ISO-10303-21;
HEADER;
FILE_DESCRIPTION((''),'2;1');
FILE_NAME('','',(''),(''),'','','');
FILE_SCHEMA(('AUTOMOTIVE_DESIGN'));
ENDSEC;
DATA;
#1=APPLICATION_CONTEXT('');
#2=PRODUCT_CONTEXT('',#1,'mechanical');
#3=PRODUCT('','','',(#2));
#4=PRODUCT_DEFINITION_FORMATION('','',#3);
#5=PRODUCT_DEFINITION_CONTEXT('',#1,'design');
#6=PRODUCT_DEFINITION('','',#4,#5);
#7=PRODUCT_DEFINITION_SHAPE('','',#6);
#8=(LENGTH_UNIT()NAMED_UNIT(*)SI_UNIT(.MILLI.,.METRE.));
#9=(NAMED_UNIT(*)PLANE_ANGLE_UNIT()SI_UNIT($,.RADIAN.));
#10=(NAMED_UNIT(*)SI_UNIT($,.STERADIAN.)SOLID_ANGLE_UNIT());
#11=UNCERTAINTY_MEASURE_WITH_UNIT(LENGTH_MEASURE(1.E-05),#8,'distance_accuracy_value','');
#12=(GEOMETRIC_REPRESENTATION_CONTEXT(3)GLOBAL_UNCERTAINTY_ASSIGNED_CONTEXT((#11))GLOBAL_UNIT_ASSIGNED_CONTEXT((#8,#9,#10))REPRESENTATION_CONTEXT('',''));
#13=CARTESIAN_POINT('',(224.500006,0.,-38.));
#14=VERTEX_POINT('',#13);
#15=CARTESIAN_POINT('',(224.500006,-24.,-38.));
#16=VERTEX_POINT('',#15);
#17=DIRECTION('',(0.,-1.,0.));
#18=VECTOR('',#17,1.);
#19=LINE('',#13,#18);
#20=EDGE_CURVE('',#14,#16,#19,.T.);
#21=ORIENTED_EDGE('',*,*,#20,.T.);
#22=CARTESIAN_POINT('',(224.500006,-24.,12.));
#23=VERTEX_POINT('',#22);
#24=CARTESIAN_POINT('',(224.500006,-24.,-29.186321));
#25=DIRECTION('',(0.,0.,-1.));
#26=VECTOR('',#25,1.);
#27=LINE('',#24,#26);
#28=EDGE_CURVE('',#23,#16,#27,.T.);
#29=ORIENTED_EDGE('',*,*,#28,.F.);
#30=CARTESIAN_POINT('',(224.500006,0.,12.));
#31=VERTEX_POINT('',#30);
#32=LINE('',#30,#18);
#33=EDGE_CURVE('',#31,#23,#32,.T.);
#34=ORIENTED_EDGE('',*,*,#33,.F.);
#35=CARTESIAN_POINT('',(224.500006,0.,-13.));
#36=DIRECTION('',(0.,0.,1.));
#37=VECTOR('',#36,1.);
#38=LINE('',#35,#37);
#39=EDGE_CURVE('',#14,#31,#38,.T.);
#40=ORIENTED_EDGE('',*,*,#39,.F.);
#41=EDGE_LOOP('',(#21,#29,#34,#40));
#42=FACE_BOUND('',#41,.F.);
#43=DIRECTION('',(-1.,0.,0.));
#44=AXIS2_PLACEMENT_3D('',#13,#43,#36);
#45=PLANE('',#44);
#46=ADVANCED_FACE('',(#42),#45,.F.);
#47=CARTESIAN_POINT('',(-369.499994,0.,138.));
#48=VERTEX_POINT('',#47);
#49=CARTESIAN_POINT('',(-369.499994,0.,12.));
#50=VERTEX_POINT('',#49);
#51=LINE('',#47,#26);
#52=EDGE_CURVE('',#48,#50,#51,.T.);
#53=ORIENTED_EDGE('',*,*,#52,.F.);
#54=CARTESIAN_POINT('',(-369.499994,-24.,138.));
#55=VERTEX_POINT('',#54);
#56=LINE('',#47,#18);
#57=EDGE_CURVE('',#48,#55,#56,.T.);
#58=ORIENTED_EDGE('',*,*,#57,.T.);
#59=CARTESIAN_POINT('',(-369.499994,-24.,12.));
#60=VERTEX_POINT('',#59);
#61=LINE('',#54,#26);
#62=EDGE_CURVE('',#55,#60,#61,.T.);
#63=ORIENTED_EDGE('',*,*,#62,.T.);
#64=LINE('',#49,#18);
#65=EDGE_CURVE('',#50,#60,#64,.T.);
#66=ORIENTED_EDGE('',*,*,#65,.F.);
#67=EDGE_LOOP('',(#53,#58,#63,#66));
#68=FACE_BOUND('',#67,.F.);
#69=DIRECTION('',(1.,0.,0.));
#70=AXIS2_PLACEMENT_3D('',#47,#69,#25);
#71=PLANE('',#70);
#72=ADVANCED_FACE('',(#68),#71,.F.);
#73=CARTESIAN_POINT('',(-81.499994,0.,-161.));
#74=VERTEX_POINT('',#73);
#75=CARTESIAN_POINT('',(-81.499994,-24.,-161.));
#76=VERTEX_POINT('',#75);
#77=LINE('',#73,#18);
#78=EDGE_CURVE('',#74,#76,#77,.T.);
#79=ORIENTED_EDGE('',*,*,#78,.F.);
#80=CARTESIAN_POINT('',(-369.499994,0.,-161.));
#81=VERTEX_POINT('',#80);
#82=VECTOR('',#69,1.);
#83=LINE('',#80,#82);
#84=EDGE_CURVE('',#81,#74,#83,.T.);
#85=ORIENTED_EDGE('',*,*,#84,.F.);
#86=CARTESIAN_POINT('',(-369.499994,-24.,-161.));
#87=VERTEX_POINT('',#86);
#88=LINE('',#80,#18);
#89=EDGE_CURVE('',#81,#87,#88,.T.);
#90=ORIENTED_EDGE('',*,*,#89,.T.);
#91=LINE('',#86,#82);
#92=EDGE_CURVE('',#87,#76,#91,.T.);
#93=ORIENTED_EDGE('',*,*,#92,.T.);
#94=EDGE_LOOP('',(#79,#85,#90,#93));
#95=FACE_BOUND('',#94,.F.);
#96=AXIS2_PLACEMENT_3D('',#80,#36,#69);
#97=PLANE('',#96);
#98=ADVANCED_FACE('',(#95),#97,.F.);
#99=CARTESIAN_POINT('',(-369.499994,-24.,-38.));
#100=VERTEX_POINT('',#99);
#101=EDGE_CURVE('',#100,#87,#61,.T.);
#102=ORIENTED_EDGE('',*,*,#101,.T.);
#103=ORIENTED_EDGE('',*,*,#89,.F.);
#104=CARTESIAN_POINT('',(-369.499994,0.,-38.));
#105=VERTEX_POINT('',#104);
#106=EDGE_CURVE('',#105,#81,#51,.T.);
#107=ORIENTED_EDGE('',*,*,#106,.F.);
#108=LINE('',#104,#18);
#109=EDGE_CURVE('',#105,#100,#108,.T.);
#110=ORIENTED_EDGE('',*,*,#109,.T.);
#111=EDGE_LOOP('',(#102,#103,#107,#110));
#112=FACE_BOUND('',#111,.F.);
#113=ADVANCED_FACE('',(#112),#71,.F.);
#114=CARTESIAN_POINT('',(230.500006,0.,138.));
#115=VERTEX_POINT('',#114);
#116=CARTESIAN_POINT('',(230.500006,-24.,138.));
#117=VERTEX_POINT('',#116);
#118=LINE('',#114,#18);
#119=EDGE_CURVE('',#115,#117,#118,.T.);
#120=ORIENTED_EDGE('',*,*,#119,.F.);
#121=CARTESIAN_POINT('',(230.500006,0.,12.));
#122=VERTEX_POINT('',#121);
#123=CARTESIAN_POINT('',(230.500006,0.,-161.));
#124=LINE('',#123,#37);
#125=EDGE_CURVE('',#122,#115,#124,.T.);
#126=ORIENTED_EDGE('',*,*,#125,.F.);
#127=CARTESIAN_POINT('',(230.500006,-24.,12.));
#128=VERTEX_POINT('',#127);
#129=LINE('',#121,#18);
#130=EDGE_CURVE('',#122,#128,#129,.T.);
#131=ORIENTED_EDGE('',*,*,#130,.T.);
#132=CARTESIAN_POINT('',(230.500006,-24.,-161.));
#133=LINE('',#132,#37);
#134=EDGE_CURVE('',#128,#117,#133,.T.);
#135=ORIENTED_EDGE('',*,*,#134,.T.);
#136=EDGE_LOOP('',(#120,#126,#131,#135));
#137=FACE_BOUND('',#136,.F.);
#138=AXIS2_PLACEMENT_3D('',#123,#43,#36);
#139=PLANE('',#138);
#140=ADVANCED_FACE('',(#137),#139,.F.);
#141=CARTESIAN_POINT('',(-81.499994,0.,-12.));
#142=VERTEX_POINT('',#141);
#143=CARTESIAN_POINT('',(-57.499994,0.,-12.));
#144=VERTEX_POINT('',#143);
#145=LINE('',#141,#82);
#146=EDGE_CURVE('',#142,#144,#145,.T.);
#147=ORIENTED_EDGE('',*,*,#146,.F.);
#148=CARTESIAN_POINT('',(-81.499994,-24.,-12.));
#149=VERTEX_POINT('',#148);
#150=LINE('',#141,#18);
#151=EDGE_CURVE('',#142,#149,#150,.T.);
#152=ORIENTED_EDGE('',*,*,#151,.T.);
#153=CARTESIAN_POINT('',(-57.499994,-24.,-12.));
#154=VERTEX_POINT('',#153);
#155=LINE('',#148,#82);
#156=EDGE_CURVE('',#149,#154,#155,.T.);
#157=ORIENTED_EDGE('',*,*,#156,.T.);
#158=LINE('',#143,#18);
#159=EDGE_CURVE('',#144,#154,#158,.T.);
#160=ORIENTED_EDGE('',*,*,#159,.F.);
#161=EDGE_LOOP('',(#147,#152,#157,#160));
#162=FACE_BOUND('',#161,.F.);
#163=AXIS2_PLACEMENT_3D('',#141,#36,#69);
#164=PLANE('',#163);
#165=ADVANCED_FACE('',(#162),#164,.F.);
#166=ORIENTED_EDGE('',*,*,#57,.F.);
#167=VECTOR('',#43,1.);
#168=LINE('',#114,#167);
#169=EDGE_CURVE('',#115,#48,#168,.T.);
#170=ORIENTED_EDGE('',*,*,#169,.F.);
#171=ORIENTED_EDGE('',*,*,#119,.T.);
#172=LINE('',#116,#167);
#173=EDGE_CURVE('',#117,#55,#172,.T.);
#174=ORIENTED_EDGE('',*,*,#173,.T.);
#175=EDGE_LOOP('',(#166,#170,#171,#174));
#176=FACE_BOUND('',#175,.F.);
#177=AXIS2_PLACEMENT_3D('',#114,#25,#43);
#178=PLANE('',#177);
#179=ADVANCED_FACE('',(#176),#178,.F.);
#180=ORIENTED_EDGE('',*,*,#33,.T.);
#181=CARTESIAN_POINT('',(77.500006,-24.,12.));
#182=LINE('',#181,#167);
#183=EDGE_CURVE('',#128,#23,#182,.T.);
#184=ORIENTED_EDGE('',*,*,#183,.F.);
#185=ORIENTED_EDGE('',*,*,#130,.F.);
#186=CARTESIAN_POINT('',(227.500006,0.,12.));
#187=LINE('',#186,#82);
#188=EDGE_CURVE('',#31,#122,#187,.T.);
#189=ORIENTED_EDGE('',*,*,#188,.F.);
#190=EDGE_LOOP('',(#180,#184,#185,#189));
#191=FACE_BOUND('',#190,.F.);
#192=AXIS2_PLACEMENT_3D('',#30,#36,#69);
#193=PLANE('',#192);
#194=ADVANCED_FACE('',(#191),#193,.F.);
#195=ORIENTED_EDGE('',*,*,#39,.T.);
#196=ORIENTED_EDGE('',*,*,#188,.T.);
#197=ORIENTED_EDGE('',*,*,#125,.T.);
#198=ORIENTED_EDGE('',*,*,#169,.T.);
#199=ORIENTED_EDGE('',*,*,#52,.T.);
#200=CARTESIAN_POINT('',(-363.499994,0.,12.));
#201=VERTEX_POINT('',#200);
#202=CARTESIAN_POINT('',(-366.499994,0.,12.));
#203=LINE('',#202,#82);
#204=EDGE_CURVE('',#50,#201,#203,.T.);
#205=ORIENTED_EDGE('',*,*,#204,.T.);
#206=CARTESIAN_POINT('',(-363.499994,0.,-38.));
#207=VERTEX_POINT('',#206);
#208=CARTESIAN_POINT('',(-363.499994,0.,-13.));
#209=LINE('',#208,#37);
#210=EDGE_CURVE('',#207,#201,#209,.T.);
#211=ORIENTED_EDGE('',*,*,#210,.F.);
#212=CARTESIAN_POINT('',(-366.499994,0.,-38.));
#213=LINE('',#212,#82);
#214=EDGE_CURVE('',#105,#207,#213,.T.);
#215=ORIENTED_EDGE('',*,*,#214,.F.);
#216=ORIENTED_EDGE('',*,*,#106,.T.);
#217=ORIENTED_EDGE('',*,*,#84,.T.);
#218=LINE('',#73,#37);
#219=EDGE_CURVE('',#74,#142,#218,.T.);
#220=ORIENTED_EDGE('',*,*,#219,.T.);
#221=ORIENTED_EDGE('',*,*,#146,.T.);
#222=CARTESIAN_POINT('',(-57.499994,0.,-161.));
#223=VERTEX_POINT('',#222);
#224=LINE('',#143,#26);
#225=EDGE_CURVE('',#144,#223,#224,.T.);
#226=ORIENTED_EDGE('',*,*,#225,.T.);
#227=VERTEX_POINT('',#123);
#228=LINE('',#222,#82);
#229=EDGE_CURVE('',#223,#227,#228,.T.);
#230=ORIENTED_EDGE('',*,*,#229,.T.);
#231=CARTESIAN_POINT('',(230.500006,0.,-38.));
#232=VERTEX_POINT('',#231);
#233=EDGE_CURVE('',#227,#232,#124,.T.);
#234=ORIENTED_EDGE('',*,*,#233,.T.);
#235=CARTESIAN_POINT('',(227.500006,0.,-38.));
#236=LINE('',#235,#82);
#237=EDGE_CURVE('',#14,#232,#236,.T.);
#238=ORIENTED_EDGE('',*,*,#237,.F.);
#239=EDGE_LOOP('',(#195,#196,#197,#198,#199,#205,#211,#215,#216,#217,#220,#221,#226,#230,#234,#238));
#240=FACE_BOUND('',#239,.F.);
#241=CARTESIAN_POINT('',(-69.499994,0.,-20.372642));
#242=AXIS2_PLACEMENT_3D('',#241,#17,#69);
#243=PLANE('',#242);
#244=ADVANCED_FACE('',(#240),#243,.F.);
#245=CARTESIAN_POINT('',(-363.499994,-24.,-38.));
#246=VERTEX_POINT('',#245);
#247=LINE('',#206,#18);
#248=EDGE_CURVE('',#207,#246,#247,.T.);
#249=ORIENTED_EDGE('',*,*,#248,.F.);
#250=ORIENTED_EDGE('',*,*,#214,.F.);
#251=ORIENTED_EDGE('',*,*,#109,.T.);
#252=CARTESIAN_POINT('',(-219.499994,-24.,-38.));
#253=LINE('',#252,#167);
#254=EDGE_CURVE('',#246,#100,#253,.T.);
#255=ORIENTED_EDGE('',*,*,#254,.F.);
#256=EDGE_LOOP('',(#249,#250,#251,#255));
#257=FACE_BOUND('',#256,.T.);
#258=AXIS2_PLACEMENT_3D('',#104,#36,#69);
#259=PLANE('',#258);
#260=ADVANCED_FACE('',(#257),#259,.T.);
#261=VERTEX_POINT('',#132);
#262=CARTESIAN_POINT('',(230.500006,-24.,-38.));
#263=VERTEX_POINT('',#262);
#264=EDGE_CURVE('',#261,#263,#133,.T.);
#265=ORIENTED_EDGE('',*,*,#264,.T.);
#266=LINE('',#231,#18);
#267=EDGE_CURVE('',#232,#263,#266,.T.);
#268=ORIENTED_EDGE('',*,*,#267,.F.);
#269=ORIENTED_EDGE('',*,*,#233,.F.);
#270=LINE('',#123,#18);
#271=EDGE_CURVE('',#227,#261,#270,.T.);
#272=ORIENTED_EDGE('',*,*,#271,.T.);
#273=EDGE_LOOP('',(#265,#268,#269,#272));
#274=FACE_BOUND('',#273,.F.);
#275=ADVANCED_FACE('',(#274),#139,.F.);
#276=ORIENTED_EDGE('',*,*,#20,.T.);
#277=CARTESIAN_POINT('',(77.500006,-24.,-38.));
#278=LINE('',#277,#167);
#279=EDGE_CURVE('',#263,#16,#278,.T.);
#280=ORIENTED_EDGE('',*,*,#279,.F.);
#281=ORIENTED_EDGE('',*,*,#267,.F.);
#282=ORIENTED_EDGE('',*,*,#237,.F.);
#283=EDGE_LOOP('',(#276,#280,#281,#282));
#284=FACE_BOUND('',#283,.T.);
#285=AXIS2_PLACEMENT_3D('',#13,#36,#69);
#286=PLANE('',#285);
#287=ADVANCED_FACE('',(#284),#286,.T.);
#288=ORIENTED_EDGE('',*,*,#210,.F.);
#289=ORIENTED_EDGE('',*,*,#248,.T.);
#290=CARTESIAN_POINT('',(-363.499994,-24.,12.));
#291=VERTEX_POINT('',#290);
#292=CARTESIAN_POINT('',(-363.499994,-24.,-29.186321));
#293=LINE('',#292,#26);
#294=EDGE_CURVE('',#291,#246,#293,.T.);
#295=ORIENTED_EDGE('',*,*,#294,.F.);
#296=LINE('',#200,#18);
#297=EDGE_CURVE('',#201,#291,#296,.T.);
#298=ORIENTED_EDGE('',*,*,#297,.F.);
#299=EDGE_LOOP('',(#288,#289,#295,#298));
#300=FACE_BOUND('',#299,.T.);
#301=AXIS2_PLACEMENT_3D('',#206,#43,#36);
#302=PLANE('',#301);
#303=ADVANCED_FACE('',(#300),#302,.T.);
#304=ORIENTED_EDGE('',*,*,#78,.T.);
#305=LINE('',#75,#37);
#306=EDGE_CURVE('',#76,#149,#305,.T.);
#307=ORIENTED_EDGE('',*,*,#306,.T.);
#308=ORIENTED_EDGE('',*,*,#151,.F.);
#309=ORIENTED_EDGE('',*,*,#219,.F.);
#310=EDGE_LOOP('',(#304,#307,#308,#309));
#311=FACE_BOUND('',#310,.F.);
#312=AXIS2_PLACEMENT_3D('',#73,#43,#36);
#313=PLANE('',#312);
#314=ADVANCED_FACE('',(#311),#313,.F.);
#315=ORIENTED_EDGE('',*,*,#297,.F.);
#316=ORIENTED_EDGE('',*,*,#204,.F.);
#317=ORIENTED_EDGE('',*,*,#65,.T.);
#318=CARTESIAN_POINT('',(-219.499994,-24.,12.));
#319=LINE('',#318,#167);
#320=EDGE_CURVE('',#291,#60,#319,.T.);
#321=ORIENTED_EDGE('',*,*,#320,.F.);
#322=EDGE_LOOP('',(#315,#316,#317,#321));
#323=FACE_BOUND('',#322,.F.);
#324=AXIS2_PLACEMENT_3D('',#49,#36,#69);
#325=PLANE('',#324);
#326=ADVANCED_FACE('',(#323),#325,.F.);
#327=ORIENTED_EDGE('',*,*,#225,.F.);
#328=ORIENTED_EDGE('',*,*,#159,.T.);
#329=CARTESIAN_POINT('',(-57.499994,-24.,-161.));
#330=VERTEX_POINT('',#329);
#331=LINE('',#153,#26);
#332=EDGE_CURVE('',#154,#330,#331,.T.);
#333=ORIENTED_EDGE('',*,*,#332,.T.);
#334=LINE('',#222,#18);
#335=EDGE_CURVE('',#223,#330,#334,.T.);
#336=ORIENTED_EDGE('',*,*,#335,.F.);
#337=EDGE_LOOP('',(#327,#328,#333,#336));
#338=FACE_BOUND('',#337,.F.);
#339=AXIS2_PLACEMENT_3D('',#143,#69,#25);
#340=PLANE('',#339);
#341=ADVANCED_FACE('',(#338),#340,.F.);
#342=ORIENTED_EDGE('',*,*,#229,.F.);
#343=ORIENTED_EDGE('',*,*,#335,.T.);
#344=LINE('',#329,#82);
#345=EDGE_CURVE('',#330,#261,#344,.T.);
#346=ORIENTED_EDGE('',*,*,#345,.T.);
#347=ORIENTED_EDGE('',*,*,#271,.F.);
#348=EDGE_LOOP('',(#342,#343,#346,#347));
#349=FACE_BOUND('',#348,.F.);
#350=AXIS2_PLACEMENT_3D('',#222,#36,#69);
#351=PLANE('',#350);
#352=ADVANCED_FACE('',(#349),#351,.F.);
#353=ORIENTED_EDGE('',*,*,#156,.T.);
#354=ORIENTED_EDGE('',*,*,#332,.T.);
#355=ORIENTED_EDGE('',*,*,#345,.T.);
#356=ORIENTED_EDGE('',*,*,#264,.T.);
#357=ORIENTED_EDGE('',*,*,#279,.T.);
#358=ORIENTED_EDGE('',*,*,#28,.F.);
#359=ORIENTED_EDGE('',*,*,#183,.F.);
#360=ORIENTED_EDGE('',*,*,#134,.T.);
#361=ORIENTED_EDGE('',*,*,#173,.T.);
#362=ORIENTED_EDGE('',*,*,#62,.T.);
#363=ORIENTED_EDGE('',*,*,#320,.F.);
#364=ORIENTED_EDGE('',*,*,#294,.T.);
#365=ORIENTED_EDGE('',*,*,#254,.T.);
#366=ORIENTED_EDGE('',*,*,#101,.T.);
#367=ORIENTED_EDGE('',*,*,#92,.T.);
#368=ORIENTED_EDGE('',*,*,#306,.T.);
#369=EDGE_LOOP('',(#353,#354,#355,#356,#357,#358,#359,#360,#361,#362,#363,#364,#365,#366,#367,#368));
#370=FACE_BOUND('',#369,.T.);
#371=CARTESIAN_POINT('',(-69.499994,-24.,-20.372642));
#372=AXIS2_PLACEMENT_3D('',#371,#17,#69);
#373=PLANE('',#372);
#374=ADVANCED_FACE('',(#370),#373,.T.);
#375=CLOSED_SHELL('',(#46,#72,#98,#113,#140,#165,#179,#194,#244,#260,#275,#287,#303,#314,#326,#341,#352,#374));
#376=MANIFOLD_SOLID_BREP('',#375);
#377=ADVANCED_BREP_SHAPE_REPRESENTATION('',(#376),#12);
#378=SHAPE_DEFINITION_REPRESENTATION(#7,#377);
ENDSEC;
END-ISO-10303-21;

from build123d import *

# Parameters (mm, degrees)
F0_W     = 6
F0_H     = 50
F1_DEPTH = 24
F2_DEPTH = 96


with BuildPart() as f1:
    # F0 (on Front) → F1 (new body)
    with BuildSketch(Plane.XZ):
        Polygon((230.500006, 138), (-369.499994, 138), (-369.499994, 12), (-363.499994, 12), (-363.499994, -38), (-369.499994, -38), (-369.499994, -161), (-81.499994, -161), (-81.499994, -12), (-57.499994, -12), (-57.499994, -161), (230.500006, -161), (230.500006, -38), (224.500006, -38), (224.500006, 12), (230.500006, 12), align=None)
        with Locations((-366.499994, -13)):
            Rectangle(F0_W, F0_H)
        with Locations((227.500006, -13)):
            Rectangle(F0_W, F0_H)
    extrude(amount=F1_DEPTH)

    # F0 (on Front) → F2 (cut)
    with BuildSketch(Plane.XZ):
        with Locations((-366.499994, -13)):
            Rectangle(F0_W, F0_H)
        with Locations((227.500006, -13)):
            Rectangle(F0_W, F0_H)
    extrude(amount=F2_DEPTH, mode=Mode.SUBTRACT)


solid = f1.part
